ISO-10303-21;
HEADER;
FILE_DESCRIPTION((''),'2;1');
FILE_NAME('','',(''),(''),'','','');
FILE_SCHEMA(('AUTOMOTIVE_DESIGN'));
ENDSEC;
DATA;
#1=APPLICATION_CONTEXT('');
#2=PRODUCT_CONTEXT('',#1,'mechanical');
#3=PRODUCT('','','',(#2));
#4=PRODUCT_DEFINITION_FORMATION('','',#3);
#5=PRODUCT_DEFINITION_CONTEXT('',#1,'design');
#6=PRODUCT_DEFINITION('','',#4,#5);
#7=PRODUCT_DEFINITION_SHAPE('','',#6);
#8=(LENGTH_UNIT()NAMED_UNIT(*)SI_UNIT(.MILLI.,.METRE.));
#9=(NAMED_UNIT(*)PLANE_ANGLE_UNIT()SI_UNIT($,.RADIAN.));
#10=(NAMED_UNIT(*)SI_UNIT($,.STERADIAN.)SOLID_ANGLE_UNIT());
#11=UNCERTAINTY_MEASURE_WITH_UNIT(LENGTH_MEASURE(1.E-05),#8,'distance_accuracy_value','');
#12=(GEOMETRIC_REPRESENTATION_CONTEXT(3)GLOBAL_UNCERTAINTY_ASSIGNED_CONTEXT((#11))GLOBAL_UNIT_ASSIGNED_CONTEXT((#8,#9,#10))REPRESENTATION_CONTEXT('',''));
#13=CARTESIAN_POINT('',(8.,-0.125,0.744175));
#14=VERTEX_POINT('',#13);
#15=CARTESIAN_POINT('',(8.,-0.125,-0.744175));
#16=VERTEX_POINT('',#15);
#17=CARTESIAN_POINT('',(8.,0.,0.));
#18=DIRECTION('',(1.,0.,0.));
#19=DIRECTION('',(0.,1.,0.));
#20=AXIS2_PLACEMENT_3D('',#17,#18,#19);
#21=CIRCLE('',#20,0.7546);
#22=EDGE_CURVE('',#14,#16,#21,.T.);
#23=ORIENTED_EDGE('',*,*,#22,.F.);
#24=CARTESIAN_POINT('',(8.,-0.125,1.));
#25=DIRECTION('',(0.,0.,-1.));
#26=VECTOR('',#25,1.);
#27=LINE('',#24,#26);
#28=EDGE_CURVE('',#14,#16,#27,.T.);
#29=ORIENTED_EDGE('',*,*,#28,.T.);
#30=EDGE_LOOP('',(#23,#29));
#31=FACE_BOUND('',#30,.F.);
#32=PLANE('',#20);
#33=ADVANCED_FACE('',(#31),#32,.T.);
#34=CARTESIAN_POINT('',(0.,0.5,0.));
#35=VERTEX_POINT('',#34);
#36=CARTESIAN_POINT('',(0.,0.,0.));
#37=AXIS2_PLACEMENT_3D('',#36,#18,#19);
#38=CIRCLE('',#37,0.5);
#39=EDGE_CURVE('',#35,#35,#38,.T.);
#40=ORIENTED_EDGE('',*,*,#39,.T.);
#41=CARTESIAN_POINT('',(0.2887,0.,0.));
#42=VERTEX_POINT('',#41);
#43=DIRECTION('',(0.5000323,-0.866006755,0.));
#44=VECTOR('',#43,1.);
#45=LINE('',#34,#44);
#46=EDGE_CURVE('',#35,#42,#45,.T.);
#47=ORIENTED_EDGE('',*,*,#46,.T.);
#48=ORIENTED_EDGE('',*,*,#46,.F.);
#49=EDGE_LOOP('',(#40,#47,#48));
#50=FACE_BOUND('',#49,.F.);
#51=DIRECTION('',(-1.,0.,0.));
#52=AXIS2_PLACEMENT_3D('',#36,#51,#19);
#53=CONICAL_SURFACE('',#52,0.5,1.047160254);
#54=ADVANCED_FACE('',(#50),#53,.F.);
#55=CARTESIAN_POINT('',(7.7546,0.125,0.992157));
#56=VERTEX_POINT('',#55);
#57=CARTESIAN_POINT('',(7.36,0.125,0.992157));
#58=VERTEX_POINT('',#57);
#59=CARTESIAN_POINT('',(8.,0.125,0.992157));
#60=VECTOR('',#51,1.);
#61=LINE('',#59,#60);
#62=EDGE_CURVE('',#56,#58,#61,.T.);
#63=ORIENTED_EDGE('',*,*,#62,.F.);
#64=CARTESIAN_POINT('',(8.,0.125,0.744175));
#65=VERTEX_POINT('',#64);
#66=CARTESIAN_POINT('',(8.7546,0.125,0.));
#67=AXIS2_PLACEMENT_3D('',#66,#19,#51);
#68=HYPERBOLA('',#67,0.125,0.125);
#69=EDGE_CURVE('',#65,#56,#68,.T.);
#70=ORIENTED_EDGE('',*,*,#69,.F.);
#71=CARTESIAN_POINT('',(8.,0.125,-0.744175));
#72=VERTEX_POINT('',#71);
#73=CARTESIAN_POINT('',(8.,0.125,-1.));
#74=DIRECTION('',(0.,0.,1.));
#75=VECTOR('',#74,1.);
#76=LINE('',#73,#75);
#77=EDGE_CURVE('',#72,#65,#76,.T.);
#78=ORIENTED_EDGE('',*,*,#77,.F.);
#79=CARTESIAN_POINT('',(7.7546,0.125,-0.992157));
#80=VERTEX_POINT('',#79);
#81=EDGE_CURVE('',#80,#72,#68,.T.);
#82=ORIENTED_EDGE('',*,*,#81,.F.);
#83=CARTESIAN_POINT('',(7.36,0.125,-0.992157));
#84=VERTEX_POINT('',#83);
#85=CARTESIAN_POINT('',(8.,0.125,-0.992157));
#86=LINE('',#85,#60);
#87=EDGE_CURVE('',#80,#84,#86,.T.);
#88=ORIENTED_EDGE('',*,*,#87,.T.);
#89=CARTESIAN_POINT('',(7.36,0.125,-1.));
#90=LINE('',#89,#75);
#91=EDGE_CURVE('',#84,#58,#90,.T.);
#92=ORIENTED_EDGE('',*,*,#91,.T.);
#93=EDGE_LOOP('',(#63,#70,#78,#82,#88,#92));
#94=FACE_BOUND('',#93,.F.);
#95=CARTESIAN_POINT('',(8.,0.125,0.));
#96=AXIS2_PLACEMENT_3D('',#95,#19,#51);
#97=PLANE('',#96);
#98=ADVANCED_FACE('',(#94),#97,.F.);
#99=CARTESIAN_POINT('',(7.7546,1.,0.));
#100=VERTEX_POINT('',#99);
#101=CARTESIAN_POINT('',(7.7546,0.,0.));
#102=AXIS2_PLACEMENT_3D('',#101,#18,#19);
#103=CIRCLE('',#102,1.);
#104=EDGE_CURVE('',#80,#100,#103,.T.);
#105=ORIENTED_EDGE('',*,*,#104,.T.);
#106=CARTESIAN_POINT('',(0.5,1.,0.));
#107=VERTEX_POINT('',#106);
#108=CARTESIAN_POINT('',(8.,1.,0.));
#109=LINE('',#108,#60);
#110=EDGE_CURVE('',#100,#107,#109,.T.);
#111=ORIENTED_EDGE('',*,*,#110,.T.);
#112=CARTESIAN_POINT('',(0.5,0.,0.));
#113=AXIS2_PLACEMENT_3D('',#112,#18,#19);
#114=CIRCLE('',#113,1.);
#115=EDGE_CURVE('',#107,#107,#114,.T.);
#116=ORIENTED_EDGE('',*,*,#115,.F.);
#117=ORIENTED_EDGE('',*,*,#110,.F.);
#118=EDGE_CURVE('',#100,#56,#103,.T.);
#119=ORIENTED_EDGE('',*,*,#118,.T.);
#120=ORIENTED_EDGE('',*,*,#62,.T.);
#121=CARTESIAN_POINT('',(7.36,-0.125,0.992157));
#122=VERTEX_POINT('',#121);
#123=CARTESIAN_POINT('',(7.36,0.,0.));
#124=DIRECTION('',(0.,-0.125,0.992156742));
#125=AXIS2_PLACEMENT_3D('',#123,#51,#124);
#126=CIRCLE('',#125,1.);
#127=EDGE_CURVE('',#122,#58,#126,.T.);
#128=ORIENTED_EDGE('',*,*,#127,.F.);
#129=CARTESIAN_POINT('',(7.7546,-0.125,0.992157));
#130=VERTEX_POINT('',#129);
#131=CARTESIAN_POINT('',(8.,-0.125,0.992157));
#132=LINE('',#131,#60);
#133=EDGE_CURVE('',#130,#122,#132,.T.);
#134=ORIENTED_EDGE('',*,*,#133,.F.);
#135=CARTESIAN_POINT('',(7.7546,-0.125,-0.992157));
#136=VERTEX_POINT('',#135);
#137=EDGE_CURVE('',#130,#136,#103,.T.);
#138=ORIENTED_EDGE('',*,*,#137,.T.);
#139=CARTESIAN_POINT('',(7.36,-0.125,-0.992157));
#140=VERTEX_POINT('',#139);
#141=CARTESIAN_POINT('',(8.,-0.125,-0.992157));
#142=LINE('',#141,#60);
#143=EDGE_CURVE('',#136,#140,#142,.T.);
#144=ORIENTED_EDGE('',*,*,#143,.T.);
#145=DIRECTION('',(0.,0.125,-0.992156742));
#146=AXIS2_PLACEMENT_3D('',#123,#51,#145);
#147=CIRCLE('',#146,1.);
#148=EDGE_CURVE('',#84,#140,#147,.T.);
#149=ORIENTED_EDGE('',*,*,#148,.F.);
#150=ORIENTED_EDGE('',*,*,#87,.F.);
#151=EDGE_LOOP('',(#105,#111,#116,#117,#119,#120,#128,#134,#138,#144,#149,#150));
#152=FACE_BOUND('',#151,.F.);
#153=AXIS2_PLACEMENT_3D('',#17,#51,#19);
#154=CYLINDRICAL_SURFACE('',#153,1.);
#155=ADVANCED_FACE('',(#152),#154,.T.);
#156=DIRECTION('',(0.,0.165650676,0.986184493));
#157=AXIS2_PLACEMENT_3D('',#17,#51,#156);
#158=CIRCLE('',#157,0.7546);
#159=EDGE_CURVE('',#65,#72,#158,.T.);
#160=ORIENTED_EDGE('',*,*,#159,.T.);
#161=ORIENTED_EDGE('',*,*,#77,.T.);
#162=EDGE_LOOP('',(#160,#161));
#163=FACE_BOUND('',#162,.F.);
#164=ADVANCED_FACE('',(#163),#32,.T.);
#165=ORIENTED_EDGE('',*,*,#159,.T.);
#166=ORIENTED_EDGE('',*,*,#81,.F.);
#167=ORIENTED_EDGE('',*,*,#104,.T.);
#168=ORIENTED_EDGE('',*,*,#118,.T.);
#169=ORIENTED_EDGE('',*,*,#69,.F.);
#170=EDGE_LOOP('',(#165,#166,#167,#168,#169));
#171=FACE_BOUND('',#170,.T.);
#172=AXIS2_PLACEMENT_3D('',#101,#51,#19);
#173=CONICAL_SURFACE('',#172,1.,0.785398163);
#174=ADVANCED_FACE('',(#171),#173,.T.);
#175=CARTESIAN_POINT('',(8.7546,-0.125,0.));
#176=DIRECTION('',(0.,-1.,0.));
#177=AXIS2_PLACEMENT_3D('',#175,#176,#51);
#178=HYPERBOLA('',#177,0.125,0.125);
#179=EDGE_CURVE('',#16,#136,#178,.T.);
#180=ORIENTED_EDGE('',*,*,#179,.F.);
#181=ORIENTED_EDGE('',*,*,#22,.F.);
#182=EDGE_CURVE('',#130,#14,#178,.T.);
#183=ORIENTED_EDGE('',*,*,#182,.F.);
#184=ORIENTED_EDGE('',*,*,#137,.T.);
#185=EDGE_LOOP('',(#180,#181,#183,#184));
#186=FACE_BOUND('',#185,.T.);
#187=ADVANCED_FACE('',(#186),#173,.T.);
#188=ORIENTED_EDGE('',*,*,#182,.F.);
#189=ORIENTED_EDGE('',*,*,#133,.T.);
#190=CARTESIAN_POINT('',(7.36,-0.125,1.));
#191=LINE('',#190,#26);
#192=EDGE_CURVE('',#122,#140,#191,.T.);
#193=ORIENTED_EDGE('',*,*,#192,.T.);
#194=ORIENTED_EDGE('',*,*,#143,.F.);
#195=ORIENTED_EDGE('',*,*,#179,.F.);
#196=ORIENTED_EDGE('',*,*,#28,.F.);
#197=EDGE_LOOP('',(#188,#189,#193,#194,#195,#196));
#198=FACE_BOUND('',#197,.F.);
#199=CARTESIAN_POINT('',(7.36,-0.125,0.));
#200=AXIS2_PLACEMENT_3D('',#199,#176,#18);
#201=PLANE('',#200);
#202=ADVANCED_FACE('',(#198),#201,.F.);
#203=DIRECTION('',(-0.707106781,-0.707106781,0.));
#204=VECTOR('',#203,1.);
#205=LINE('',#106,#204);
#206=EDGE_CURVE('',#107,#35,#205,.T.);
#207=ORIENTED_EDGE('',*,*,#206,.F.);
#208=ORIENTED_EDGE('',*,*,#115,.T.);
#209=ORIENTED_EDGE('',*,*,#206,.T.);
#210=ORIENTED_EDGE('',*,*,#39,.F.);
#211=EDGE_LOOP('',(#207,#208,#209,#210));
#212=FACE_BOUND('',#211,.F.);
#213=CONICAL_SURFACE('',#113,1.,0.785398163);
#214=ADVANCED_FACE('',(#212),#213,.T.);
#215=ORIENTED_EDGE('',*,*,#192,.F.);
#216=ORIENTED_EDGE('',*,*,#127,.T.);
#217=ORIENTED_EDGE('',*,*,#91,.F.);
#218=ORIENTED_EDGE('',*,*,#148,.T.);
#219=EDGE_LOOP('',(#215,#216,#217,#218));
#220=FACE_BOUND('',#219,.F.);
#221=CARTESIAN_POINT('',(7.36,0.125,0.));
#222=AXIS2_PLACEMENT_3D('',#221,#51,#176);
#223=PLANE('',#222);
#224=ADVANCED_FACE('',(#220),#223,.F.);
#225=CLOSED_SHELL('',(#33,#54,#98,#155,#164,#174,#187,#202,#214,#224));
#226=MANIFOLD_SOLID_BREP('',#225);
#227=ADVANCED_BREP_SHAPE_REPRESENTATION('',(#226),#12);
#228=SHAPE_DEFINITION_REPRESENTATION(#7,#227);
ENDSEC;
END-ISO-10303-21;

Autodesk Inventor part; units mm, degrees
ref_plane "YZ Plane" through (0, 0, 0) normal (1, 0, 0) x (0, 1, 0)
ref_plane "XZ Plane" through (0, 0, 0) normal (0, 1, 0) x (-1, 0, 0)
sketch "Sketch1" plane through (0, 0, 0) normal (0, 0, 1) x (1, 0, 0)
  line L0 (0, 0) -> (8, 0)
  line L1 (8, 0) -> (8, 1)
  line L2 (8, 1) -> (0.5, 1)
  line L3 (0.5, 1) -> (0, 0.5)
  line L4 (0, -0.2) -> (0, 1.2) projected
  line L5 (0, 0.5) -> (0.2887, 0)
  line L6 (0, 1.2) -> (0, -0.2) projected
  dimension "d0" = 2
  dimension "d2" = 8
  dimension "d3" = 45
  dimension "d4" = 1
  dimension "d14" = 60
revolve "Body" add sketch "Sketch1" angle 360 about axis through (0, 0, 0) along (1, 0, 0) contours L5 L3 L2 L1 L0
chamfer "Chamfer1" distance 0.2454 angle 45 1 edges at (8, -1, 0) measured on face at (8, 0.2495, 0.221)
sketch "Sketch2" plane through (0, 0, 0) normal (0, 0, 1) x (1, 0, 0)
  line L0 (8, 0.7546) -> (8, -0.7546) projected
  line L1 (7.232, 0) -> (8.128, 0) projected
  line L2 (8, 0.125) -> (7.36, 0.125)
  line L3 (7.36, 0.125) -> (7.36, 0)
  line L4 (7.36, -0.125) -> (7.36, 0)
  line L5 (7.36, -0.125) -> (8, -0.125)
  dimension "d10" = 0.125
  dimension "d11" = 0.64
extrude "Slot" cut sketch "Sketch2" against normal mid plane 2
thread "Thread" size "M2x0.4" class "6g" standard "ISO Metric profile" length 8
ref_plane "Work Plane1" through (4.25, 0, 0) normal (0, 0, -1) x (1, 0, 0)
equation "\"d10\" = 0.5 * SBR"
equation "\"d11\" = STI"
equation "\"d12\" = NND"
equation "\"d5\" = -0.5 * GD1 + 0.5 * NND"
equation "\"d7\" = FAWI"
equation "\"d34\" = -0.5 * GD1 + 0.5 * NND"
equation "\"d8\" = NLG"
equation "\"d0\" = NND"
equation "\"d2\" = NLG"
equation "\"d3\" = FAWI1"
equation "\"d4\" = SPD"
equation "\"d14\" = 0.5 * ANG"
equation "\"NND\" = 2"
equation "\"NLG\" = 8"
equation "\"FAWI\" = 45deg"
equation "\"GD1\" = THREADDIA - 1.2269 * PTC"
equation "\"FAWI1\" = 45deg"
equation "\"SPD\" = 1"
equation "\"SBR\" = 0.25"
equation "\"STI\" = 0.64"
equation "\"ANG\" = 120deg"
equation "\"GUL\" = 0.61345 * PTC"
equation "\"THREADDIA\" = 2"
equation "\"TOA\" = 30deg"
equation "\"PTC\" = 0.4"
equation "\"GAL\" = 0.61345 * PTC"
properties part number "ISO 7436 - M2 x 8" material "Stainless Steel, 440C"
